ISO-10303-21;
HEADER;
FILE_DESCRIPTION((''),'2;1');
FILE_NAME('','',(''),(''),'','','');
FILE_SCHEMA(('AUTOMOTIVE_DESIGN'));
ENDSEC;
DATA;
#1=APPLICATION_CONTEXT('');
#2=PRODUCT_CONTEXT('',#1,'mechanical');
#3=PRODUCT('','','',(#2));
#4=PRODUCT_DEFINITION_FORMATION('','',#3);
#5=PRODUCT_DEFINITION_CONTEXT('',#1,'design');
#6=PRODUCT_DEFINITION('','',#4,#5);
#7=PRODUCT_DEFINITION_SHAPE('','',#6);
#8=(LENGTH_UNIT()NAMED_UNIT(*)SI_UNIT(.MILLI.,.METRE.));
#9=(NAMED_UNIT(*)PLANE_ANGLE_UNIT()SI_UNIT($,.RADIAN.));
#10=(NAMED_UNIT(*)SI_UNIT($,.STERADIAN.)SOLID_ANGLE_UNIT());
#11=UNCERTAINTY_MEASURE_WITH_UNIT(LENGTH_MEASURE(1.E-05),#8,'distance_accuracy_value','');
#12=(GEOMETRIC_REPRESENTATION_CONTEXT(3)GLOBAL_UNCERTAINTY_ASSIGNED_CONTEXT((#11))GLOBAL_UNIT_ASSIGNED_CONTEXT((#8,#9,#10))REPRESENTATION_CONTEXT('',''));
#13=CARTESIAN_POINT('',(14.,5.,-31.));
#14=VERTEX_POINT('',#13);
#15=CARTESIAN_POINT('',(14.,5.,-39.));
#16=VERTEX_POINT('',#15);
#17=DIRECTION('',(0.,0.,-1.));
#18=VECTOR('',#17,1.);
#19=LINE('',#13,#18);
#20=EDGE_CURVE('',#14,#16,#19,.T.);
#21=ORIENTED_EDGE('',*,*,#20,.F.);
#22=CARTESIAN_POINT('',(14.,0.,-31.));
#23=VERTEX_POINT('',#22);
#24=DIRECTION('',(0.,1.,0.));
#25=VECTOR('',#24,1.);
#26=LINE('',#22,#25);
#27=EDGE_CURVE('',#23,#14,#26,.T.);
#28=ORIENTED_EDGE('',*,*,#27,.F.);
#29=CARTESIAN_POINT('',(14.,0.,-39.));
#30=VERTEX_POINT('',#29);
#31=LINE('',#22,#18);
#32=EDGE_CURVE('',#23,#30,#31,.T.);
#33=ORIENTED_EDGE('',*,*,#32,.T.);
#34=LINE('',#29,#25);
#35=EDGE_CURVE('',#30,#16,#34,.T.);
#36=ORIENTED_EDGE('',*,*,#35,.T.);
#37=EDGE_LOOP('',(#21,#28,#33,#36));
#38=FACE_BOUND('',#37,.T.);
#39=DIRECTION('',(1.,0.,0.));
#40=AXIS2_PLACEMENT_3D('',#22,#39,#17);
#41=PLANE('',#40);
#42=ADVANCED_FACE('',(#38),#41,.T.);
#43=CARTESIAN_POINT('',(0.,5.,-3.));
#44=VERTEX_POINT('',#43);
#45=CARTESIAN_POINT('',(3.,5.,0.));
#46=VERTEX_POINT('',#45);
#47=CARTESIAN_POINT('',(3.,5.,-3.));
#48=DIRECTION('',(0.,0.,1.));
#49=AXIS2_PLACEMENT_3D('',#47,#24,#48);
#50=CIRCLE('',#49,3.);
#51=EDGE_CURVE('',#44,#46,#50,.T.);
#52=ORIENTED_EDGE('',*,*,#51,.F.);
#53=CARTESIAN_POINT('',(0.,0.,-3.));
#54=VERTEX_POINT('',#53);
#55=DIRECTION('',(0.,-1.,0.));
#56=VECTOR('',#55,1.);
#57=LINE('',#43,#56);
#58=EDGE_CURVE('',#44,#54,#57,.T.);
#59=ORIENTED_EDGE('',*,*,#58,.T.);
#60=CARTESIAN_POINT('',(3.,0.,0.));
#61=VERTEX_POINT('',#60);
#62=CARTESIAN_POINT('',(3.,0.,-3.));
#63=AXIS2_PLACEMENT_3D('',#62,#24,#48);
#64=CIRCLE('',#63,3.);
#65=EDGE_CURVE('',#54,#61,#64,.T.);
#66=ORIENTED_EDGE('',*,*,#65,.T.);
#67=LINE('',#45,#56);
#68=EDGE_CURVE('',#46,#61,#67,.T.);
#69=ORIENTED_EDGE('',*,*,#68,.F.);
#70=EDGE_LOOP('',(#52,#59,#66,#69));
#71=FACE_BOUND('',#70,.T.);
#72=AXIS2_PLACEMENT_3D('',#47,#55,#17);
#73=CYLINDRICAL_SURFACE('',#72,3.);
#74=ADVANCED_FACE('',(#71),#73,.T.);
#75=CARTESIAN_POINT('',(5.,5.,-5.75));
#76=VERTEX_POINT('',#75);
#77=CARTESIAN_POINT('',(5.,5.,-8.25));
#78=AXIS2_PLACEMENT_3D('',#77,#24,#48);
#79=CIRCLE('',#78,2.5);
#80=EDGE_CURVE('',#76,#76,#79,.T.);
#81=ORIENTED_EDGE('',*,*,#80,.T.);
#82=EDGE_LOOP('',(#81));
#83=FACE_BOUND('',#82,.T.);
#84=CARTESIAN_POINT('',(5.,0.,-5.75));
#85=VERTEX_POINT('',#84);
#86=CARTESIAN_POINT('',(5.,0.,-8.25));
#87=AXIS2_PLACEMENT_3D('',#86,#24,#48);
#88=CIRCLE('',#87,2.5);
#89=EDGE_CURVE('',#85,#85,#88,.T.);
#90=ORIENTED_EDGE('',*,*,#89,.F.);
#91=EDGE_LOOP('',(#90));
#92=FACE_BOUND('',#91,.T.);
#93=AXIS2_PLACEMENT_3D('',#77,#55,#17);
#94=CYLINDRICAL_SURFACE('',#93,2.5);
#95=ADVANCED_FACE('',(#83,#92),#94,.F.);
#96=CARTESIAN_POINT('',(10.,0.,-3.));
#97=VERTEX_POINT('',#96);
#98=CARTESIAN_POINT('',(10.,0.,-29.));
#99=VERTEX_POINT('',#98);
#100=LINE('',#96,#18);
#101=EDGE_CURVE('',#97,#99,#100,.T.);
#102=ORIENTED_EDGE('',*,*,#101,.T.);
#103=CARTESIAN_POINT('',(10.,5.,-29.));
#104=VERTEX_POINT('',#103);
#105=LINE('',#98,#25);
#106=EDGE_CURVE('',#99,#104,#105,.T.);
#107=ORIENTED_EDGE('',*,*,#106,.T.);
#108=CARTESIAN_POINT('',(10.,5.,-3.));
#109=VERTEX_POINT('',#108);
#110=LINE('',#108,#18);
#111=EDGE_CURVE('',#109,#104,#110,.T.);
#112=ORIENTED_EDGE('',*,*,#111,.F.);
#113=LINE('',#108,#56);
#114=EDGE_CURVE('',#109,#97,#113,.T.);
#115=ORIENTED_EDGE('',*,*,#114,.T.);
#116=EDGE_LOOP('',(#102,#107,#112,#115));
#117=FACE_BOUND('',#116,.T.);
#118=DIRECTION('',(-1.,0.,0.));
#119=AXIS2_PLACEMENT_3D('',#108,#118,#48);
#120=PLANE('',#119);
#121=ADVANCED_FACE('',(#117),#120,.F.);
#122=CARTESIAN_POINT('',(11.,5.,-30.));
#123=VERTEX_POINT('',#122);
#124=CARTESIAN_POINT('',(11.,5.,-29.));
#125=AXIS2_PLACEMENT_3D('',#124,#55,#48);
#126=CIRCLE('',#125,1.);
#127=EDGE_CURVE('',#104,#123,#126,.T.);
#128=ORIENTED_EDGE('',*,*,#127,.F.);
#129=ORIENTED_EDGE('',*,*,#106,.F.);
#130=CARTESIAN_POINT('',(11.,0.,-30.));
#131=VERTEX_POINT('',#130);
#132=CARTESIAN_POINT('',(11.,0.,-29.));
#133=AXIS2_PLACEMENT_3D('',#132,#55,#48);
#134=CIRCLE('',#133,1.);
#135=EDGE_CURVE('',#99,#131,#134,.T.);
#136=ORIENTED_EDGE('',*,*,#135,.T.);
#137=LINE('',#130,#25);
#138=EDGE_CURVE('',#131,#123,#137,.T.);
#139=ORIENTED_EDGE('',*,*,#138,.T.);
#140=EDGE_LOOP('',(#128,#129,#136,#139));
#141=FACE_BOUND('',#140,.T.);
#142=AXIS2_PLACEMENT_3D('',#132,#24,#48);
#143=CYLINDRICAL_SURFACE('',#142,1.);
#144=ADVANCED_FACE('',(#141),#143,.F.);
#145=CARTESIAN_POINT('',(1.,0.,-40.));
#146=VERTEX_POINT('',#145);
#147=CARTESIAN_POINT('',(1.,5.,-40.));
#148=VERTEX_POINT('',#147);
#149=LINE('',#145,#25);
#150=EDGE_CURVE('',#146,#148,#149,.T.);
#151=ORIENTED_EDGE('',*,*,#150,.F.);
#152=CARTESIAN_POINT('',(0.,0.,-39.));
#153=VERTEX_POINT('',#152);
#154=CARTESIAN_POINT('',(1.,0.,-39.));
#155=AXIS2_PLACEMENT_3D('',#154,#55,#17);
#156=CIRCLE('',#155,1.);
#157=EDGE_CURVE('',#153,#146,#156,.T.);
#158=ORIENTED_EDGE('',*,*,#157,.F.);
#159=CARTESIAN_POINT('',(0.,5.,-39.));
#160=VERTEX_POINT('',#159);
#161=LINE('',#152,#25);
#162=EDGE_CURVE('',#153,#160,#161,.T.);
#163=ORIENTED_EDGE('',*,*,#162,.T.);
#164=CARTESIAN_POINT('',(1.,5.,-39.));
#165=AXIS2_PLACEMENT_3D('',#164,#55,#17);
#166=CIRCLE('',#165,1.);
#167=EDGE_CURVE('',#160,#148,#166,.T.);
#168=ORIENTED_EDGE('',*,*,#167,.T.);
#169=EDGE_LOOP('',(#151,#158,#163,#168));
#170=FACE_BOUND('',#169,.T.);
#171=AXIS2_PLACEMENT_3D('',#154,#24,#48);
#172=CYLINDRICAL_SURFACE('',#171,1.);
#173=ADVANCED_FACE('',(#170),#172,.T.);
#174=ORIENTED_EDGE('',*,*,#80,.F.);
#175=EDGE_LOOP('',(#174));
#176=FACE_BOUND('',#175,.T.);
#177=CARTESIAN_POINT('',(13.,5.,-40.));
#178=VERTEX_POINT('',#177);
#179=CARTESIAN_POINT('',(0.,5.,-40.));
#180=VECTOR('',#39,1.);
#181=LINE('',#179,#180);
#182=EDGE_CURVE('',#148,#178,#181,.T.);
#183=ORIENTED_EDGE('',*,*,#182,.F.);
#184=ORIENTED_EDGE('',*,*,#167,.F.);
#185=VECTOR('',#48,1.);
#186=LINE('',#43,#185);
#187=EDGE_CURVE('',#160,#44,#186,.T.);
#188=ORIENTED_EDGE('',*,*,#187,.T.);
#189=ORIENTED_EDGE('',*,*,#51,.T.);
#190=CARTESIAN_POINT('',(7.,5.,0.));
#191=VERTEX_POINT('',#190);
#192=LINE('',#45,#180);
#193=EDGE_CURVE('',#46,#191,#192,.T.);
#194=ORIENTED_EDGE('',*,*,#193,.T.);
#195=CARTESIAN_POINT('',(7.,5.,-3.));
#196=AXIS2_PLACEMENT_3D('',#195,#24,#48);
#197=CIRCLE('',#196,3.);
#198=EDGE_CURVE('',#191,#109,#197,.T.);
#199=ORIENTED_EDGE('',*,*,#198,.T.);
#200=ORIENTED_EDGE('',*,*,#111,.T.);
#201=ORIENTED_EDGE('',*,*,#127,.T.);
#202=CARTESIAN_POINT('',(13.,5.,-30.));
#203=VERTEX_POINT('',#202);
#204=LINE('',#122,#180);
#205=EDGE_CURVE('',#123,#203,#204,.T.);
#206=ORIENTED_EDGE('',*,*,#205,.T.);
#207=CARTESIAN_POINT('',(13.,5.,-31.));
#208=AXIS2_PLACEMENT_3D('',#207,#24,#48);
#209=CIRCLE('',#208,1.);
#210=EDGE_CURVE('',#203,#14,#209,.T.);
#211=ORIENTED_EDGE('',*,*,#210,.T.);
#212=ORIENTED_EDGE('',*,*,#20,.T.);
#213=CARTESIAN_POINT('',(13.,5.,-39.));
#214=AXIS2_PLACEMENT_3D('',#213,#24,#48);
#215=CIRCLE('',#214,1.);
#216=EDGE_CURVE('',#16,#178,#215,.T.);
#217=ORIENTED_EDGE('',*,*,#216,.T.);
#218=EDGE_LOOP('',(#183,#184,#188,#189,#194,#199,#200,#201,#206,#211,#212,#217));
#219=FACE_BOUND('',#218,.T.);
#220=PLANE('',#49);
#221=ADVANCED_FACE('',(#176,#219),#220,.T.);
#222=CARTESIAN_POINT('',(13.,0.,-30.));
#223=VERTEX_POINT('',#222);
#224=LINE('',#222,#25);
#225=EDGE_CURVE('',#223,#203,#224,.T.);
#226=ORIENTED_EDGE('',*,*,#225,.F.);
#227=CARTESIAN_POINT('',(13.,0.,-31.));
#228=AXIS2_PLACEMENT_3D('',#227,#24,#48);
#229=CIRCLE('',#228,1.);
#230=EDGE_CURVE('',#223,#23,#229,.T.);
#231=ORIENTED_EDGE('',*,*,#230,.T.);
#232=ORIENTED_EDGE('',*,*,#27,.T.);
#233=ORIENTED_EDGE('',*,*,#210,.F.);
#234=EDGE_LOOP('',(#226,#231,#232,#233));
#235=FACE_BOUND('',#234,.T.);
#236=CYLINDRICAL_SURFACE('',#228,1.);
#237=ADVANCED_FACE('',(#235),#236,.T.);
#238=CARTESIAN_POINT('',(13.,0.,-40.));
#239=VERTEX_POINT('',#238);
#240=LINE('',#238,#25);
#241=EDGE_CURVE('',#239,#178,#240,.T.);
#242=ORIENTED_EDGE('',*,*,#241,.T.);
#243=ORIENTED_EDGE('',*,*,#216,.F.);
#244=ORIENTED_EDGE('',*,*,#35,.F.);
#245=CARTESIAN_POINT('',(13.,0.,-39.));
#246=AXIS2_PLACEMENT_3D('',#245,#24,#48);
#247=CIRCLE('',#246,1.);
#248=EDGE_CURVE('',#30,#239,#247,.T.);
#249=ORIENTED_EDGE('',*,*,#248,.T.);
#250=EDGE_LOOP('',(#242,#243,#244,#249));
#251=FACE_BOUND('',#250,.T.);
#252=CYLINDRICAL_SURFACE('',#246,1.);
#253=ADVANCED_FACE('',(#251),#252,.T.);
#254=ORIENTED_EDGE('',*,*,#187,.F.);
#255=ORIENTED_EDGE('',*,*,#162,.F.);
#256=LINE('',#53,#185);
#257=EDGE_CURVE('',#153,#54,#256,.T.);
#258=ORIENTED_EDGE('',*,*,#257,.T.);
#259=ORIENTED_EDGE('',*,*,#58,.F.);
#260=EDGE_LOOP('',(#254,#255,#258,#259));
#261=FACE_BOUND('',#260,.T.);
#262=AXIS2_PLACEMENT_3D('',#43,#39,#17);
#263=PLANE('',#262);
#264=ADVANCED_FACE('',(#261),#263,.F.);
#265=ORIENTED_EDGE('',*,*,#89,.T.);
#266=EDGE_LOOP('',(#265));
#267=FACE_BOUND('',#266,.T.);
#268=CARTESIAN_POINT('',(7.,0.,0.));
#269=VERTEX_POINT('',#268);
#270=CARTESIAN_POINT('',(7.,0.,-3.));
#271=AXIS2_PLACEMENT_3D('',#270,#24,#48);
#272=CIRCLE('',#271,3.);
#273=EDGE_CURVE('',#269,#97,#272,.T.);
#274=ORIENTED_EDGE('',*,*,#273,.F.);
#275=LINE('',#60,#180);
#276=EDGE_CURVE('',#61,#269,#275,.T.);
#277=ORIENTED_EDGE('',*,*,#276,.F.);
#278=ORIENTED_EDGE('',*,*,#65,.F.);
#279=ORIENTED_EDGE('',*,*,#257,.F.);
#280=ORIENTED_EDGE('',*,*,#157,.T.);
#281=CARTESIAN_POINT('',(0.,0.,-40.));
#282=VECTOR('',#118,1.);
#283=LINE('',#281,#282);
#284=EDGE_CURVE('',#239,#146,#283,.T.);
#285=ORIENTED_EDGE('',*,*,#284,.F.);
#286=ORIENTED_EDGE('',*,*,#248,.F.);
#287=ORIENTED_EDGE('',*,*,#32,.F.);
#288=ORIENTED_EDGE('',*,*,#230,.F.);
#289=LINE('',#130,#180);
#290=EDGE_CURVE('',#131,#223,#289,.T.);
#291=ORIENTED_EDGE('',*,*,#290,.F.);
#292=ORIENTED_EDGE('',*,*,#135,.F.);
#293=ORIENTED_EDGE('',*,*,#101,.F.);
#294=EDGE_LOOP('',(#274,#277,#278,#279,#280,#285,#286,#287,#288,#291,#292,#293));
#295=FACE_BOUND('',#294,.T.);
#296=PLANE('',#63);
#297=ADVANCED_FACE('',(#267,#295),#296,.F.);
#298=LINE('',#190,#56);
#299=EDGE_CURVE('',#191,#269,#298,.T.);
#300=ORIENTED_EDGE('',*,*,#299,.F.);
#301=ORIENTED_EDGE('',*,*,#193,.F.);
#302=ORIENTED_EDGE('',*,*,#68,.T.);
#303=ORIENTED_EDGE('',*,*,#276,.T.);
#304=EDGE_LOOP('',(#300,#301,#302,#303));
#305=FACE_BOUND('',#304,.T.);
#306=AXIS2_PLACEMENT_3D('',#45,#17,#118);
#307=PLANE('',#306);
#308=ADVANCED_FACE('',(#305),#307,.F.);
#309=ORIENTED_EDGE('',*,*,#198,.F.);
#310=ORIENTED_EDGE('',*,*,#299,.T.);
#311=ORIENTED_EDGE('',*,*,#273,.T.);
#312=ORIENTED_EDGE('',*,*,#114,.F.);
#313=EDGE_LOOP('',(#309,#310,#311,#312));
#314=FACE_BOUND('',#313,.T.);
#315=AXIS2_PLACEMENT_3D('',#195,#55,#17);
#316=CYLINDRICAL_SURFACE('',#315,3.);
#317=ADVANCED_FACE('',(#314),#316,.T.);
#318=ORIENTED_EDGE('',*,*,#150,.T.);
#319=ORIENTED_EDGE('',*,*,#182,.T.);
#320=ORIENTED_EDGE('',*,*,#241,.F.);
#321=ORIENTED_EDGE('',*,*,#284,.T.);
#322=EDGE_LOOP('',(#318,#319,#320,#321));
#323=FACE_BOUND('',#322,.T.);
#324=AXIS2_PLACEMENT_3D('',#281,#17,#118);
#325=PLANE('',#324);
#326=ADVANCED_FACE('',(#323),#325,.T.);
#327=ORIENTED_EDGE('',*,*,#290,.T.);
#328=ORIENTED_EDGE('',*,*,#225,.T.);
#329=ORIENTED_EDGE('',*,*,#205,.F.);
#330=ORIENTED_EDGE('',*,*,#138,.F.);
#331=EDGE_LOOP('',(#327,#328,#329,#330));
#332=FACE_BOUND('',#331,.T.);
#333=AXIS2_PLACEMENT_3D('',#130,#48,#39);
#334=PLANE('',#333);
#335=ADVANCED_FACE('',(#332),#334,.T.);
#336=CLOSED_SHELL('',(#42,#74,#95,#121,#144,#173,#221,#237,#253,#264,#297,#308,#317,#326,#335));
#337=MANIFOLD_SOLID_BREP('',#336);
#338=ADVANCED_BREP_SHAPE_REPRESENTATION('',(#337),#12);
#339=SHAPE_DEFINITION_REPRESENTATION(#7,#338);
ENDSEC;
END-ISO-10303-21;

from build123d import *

# Parameters (mm, degrees)
SKETCH_1_R          = 2.5
EXTRUDE_1_DEPTH     = 5
SKETCH_2_W          = 10
SKETCH_2_H          = 5
EXTRUDE_2_DEPTH     = 10
EXTRUDE_3_DEPTH     = 5
CUT_EXTRUDE_1_DEPTH = 43.673176587


with BuildPart() as part:
    # Эскиз1 → Бобышка-Вытянуть1 (new body)
    with BuildSketch(Plane(origin=(0, 0, 0), x_dir=(1, 0, 0), z_dir=(0, 1, 0))):
        with BuildLine():
            Line((3, 0), (7, 0))
            ThreePointArc((7, 0), (9.121320344, 0.878679656), (10, 3))
            Line((10, 3), (10, 30))
            Line((10, 30), (0, 30))
            Line((0, 30), (0, 3))
            ThreePointArc((0, 3), (0.878679656, 0.878679656), (3, 0))
        make_face()
        with Locations(Location((5, 8.25, 0), (0, 0, 270))):
            Circle(SKETCH_1_R, mode=Mode.SUBTRACT)
    extrude(amount=EXTRUDE_1_DEPTH)

    # Эскиз2 → Бобышка-Вытянуть2 (add)
    with BuildSketch(Plane(origin=(0, 0, -30), x_dir=(-1, 0, 0), z_dir=(0, 0, -1))):
        with Locations((-5, 2.5)):
            Rectangle(SKETCH_2_W, SKETCH_2_H)
    extrude(amount=EXTRUDE_2_DEPTH)

    # Эскиз4 → Бобышка-Вытянуть3 (add)
    with BuildSketch(Plane(origin=(0, 5, 0), x_dir=(1, 0, 0), z_dir=(0, 1, 0))):
        with BuildLine():
            Line((13, 40), (10, 40))
            Line((10, 40), (10, 29))
            ThreePointArc((10, 29), (10.292893219, 29.707106781), (11, 30))
            Line((11, 30), (13, 30))
            ThreePointArc((13, 30), (13.707106781, 30.292893219), (14, 31))
            Line((14, 31), (14, 39))
            ThreePointArc((14, 39), (13.707106781, 39.707106781), (13, 40))
        make_face()
    extrude(amount=-EXTRUDE_3_DEPTH)

    # Эскиз5 → Вырез-Вытянуть1 (cut, through all)
    with BuildSketch(Plane(origin=(0, 5, 0), x_dir=(1, 0, 0), z_dir=(0, 1, 0))):
        with BuildLine():
            Line((0, 38.89263227), (0, 39))
            ThreePointArc((0, 39), (0.292893219, 39.707106781), (1, 40))
            Line((1, 40), (1.042017626, 40))
            Line((1.042017626, 40), (0.948883757, 40.294542088))
            Line((0.948883757, 40.294542088), (-0.497142104, 40.245524262))
            Line((-0.497142104, 40.245524262), (-0.497142104, 39.412221223))
            Line((-0.497142104, 39.412221223), (0, 38.89263227))
        make_face()
    extrude(amount=-CUT_EXTRUDE_1_DEPTH, mode=Mode.SUBTRACT)


solid = part.part
